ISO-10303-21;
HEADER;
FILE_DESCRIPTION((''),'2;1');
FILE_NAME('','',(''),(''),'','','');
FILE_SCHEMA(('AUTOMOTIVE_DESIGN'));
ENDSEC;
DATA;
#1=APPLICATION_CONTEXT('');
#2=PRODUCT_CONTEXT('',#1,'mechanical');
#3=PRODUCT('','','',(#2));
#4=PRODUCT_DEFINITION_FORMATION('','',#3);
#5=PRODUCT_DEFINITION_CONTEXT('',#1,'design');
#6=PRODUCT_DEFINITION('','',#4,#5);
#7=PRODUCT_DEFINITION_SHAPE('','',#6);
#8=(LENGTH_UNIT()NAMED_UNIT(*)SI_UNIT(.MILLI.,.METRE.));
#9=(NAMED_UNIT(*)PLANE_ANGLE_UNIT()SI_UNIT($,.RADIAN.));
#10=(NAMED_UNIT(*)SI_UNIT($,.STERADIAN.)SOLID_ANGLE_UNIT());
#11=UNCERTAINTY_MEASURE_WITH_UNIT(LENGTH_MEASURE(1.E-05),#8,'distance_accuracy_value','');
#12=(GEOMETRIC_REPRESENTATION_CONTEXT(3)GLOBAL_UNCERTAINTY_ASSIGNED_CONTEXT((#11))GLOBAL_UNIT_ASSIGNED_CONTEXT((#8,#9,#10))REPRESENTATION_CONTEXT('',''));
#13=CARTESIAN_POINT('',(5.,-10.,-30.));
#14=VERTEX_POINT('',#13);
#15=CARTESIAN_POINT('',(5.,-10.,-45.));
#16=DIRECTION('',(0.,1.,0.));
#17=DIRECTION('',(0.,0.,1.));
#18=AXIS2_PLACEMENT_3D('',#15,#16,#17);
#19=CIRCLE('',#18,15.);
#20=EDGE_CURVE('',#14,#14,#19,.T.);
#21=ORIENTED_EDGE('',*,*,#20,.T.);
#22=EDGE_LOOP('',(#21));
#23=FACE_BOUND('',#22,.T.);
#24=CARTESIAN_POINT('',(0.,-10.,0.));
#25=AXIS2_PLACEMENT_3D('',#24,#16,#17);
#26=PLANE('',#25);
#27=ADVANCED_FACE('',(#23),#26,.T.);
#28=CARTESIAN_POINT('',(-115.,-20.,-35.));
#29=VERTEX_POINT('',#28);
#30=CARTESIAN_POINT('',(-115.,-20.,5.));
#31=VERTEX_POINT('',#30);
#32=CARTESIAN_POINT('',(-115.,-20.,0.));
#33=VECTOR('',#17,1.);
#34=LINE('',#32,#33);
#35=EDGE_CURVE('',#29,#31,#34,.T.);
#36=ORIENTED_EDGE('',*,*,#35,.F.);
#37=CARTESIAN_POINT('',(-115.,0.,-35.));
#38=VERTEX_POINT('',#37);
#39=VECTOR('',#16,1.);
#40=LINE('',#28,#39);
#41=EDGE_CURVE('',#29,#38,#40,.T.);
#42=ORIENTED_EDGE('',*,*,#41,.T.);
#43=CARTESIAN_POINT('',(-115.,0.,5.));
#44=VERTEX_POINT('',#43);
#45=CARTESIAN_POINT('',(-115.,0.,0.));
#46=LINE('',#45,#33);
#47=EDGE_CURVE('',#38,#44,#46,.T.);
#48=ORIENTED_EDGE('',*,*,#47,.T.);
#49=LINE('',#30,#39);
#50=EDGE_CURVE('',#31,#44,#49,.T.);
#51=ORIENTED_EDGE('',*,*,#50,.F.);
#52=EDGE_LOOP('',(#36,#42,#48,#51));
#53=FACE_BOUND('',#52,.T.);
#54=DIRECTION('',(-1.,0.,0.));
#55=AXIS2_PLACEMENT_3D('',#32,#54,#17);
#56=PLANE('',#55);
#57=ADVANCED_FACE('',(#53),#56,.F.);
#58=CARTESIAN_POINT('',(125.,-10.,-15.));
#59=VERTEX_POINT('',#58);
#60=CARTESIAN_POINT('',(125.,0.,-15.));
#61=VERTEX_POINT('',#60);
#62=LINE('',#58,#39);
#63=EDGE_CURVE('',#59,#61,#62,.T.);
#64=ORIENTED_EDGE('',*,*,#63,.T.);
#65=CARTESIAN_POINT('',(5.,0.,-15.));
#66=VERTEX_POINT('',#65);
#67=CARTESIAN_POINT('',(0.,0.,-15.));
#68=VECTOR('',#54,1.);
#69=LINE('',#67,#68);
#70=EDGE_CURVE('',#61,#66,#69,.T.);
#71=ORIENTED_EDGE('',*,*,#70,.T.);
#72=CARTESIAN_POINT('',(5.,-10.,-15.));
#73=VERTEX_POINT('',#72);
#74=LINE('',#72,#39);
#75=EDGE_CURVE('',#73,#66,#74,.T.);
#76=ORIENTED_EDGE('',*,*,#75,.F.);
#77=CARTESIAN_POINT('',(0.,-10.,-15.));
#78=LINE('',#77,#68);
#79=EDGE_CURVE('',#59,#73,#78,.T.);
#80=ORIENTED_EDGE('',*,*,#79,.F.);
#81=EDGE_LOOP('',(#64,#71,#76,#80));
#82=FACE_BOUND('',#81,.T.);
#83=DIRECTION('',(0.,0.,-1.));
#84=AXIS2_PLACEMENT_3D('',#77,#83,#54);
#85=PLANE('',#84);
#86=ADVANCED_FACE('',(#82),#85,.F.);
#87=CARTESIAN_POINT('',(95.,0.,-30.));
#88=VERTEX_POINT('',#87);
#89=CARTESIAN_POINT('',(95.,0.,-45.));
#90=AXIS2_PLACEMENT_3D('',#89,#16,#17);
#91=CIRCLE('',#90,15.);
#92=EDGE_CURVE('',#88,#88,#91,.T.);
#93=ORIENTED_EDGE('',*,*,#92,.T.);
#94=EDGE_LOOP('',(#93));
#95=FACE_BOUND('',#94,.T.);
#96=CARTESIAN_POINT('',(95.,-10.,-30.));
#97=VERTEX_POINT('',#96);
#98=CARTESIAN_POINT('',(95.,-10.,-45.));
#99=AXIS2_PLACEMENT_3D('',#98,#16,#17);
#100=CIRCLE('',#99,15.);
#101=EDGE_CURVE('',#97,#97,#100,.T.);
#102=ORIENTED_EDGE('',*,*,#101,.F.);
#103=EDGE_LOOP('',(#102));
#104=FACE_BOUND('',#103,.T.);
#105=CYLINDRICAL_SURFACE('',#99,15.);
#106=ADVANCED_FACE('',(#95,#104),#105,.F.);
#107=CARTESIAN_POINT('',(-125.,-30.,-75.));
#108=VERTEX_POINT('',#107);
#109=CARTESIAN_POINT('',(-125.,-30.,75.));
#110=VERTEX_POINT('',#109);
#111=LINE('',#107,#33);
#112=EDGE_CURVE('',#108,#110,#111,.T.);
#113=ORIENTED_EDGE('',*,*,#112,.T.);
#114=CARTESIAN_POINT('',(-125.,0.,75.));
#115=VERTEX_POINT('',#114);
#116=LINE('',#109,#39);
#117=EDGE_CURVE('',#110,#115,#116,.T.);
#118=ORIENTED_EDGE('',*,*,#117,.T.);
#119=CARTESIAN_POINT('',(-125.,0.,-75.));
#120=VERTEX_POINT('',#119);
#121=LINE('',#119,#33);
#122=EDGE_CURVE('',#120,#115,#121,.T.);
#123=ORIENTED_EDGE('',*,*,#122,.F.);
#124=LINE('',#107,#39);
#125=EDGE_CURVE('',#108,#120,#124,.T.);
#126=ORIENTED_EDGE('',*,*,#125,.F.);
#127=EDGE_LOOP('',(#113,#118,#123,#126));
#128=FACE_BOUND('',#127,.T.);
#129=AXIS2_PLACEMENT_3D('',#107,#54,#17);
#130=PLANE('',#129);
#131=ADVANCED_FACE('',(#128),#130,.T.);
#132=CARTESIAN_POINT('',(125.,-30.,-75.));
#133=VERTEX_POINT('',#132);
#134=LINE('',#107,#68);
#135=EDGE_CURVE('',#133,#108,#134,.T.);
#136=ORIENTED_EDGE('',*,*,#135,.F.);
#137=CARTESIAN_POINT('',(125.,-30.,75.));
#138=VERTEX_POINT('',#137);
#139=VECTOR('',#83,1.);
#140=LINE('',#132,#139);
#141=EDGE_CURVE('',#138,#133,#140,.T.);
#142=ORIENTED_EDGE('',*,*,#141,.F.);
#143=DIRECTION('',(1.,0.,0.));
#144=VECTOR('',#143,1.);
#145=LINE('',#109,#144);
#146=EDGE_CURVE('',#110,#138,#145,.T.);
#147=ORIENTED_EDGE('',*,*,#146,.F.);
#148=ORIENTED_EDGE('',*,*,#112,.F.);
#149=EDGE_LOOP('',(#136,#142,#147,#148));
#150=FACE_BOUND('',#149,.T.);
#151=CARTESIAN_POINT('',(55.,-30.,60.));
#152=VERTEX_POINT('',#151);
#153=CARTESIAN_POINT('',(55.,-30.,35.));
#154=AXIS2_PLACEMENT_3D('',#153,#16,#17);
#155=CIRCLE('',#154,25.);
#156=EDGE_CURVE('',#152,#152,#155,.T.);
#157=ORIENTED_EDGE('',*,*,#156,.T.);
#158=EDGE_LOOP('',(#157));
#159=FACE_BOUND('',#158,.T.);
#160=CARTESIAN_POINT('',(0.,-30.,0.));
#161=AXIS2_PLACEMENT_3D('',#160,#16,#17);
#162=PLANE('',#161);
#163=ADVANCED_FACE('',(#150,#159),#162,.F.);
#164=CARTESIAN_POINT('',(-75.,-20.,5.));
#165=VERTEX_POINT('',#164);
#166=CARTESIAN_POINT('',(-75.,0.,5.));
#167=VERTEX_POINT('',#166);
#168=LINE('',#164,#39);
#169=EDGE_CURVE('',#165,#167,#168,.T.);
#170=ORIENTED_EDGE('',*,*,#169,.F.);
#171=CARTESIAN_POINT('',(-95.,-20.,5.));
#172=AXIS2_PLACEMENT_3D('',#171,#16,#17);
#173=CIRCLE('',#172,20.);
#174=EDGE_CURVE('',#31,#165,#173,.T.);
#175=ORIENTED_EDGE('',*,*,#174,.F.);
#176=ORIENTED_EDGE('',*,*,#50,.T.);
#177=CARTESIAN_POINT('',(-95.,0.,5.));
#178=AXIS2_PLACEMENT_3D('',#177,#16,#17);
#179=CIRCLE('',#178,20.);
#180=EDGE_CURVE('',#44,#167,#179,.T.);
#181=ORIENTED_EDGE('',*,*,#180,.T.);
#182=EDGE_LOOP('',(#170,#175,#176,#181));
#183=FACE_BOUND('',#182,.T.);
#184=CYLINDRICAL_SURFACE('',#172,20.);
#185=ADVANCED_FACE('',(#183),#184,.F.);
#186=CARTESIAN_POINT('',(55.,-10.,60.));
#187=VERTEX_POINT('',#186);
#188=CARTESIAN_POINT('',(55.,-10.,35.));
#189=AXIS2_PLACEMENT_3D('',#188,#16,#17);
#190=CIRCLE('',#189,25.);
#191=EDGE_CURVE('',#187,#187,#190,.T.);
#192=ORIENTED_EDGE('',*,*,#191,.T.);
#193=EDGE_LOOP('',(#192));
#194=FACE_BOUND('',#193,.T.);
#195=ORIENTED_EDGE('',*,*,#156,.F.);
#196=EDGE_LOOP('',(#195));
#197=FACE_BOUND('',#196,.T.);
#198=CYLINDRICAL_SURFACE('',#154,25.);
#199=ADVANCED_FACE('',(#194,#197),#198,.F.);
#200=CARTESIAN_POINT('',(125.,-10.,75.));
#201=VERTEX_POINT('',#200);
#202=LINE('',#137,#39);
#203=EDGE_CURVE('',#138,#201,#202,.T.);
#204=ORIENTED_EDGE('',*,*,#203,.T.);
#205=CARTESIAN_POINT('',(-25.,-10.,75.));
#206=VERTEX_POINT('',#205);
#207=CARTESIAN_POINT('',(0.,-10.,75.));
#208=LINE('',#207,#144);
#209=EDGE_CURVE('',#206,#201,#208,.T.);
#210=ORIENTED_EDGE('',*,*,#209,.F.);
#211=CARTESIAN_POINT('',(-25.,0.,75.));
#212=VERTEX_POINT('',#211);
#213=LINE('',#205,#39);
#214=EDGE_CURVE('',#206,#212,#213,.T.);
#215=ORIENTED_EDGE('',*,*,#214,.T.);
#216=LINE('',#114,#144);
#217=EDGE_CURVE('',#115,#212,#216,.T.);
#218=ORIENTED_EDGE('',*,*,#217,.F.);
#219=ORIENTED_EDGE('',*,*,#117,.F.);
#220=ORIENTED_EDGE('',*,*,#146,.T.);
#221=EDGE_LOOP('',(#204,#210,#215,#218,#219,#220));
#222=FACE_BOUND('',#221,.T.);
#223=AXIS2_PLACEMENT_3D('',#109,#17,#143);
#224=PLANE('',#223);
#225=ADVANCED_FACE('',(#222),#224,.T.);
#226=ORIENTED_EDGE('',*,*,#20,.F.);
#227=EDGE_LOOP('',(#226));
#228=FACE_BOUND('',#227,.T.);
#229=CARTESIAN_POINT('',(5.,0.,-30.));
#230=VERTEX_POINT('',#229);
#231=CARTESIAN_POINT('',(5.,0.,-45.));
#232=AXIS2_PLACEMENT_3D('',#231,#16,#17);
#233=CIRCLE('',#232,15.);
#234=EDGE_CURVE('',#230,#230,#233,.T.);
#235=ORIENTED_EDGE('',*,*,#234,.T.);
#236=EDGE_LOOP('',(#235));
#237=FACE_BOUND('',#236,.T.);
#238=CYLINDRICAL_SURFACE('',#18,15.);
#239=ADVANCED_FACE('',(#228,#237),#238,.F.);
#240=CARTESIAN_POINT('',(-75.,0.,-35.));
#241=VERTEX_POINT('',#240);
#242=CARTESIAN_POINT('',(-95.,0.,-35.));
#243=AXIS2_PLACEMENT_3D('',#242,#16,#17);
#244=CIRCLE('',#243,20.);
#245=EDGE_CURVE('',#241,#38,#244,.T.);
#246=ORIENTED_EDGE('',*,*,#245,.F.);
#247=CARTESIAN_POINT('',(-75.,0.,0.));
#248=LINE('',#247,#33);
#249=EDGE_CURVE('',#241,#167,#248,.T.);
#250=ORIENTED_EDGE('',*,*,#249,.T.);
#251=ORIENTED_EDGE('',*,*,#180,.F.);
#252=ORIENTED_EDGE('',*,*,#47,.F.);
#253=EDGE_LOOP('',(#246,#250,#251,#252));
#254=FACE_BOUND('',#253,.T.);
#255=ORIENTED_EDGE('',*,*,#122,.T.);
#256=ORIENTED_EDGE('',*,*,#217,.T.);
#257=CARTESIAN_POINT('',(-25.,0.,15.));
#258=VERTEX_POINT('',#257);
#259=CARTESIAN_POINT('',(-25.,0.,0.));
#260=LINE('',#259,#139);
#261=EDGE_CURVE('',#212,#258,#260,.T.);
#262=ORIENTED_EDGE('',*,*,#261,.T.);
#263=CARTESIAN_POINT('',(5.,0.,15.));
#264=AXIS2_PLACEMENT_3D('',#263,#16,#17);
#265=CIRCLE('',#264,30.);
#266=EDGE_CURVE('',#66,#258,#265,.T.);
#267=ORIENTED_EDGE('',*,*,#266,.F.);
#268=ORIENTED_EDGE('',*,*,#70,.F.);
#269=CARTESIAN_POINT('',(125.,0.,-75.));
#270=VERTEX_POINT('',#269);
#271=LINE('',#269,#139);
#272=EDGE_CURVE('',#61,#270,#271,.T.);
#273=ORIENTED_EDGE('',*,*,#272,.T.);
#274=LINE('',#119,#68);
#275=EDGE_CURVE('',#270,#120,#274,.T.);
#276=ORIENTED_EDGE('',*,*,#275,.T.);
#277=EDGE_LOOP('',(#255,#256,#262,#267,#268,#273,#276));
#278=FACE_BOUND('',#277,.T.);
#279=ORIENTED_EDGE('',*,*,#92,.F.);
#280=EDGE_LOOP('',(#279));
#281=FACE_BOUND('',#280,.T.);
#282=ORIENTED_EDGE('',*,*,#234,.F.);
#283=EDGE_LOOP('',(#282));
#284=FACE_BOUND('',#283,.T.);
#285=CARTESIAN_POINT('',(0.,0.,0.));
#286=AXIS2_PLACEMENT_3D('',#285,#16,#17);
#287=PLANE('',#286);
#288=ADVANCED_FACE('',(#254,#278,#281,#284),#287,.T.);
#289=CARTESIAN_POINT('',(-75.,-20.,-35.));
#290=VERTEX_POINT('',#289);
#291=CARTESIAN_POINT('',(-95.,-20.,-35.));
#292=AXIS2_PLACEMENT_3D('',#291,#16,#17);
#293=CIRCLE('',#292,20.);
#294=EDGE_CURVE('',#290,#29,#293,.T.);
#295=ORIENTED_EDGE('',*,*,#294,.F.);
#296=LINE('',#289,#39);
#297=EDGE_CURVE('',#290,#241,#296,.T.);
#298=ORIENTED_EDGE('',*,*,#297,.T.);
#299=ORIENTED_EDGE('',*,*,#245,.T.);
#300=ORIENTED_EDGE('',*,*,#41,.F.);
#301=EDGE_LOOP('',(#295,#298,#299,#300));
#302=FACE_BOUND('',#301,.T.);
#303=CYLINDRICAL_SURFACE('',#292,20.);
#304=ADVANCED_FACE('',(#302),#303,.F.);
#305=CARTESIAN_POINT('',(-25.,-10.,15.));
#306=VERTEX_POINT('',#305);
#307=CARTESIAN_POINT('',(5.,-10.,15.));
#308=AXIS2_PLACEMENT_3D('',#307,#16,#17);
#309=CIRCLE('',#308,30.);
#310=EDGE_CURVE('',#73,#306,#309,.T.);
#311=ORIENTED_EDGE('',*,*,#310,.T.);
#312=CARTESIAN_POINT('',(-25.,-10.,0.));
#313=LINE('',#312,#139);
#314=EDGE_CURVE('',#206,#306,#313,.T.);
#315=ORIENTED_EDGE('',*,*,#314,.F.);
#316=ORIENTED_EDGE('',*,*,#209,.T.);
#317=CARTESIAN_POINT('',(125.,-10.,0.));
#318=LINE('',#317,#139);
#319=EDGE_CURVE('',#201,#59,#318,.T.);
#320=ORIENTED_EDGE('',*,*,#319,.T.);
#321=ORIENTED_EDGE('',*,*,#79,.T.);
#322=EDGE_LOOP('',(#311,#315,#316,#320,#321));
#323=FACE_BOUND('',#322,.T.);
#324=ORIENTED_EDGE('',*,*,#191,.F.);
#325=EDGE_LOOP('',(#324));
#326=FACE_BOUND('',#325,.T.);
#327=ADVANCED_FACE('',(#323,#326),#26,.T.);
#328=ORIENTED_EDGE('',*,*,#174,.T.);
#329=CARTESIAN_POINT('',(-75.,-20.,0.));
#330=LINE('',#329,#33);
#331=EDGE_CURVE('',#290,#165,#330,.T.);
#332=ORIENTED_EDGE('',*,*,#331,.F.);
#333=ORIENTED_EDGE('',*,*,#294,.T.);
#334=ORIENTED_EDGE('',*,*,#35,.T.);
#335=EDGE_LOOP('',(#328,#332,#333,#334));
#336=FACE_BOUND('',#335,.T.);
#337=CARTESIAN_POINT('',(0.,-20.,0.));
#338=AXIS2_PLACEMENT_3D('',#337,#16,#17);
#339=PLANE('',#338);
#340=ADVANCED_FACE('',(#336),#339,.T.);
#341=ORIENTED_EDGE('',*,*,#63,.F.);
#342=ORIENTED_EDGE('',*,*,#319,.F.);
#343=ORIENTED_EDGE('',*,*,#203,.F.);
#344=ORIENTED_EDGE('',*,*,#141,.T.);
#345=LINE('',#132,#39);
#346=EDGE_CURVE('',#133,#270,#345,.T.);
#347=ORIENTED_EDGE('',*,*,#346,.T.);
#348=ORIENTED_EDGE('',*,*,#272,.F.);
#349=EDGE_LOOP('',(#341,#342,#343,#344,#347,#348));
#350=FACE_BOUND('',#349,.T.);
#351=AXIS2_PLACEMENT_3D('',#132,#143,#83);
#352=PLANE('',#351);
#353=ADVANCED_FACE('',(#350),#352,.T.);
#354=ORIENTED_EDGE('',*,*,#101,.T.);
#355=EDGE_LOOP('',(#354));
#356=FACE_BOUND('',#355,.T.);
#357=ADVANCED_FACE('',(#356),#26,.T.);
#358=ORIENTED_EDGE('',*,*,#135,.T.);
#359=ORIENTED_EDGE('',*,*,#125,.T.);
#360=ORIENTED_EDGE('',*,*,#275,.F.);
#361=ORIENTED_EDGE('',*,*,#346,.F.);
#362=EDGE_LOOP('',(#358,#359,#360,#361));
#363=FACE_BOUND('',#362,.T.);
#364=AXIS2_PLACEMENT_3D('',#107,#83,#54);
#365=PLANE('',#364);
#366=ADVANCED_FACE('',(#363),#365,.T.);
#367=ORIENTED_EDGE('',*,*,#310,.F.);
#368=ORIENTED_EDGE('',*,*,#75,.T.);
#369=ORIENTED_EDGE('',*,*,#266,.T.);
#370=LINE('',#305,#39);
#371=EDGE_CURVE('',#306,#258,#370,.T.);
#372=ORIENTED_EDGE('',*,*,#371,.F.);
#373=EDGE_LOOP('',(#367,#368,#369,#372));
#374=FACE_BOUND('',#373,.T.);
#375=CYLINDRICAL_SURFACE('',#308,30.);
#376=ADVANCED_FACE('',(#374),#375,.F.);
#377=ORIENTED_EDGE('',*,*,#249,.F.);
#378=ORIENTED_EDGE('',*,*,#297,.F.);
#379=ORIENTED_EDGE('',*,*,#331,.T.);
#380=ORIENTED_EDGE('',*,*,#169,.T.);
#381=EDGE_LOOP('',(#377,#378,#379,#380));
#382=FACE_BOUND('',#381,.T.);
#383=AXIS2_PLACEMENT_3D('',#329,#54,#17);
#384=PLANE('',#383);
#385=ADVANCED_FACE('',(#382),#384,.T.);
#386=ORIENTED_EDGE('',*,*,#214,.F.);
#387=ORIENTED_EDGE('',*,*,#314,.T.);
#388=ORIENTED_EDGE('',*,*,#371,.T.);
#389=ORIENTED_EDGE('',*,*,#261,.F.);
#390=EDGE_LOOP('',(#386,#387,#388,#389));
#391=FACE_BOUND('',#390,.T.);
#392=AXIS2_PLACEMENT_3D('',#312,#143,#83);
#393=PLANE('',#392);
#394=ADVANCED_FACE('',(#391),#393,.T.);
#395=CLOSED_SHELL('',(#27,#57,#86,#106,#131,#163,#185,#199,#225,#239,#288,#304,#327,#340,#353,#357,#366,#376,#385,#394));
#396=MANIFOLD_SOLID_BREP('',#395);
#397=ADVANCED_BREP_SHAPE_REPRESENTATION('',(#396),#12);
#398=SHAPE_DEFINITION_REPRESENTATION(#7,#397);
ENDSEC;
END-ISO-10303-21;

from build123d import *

# Parameters (mm, degrees)
SKETCH2_W           = 250
SKETCH2_H           = 150
BOSS_EXTRUDE1_DEPTH = 30
CUT_EXTRUDE2_DEPTH  = 20
SKETCH3_5_R         = 15
CUT_EXTRUDE3_DEPTH  = 10
SKETCH3_6_R         = 25
CUT_EXTRUDE4_DEPTH  = 149.828760661
SKETCH3_7_R         = 25
CUT_EXTRUDE5_DEPTH  = 10


with BuildPart() as part:
    # Sketch2 → Boss-Extrude1 (new body)
    with BuildSketch(Plane(origin=(0, 0, 0), x_dir=(1, 0, 0), z_dir=(0, 1, 0))):
        Rectangle(SKETCH2_W, SKETCH2_H)
    extrude(amount=-BOSS_EXTRUDE1_DEPTH)

    # Sketch3 → Cut-Extrude2 (cut)
    with BuildSketch(Plane(origin=(0, 0, 0), x_dir=(1, 0, 0), z_dir=(0, 1, 0))):
        with BuildLine():
            Line((-75, -5), (-75, 35))
            ThreePointArc((-75, 35), (-95, 55), (-115, 35))
            Line((-115, 35), (-115, -5))
            ThreePointArc((-115, -5), (-95, -25), (-75, -5))
        make_face()
    extrude(amount=-CUT_EXTRUDE2_DEPTH, mode=Mode.SUBTRACT)

    # Sketch3<5> → Cut-Extrude3 (cut)
    with BuildSketch(Plane(origin=(0, 0, 0), x_dir=(1, 0, 0), z_dir=(0, 1, 0))):
        with Locations((5, 45)):
            Circle(SKETCH3_5_R)
        with Locations((95, 45)):
            Circle(SKETCH3_5_R)
    extrude(amount=-CUT_EXTRUDE3_DEPTH, mode=Mode.SUBTRACT)

    # Sketch3<6> → Cut-Extrude4 (cut, through all)
    with BuildSketch(Plane(origin=(0, 0, 0), x_dir=(1, 0, 0), z_dir=(0, 1, 0))):
        with Locations((55, -35)):
            Circle(SKETCH3_6_R)
    extrude(amount=-CUT_EXTRUDE4_DEPTH, mode=Mode.SUBTRACT)

    # Sketch3<7> → Cut-Extrude5 (cut)
    with BuildSketch(Plane(origin=(0, 0, 0), x_dir=(1, 0, 0), z_dir=(0, 1, 0))):
        with BuildLine():
            Line((-25, -75), (125, -75))
            Line((125, -75), (125, 15))
            Line((125, 15), (5, 15))
            ThreePointArc((5, 15), (-16.213203436, 6.213203436), (-25, -15))
            Line((-25, -15), (-25, -75))
        make_face()
        with Locations((55, -35)):
            Circle(SKETCH3_7_R, mode=Mode.SUBTRACT)
    extrude(amount=-CUT_EXTRUDE5_DEPTH, mode=Mode.SUBTRACT)


solid = part.part
